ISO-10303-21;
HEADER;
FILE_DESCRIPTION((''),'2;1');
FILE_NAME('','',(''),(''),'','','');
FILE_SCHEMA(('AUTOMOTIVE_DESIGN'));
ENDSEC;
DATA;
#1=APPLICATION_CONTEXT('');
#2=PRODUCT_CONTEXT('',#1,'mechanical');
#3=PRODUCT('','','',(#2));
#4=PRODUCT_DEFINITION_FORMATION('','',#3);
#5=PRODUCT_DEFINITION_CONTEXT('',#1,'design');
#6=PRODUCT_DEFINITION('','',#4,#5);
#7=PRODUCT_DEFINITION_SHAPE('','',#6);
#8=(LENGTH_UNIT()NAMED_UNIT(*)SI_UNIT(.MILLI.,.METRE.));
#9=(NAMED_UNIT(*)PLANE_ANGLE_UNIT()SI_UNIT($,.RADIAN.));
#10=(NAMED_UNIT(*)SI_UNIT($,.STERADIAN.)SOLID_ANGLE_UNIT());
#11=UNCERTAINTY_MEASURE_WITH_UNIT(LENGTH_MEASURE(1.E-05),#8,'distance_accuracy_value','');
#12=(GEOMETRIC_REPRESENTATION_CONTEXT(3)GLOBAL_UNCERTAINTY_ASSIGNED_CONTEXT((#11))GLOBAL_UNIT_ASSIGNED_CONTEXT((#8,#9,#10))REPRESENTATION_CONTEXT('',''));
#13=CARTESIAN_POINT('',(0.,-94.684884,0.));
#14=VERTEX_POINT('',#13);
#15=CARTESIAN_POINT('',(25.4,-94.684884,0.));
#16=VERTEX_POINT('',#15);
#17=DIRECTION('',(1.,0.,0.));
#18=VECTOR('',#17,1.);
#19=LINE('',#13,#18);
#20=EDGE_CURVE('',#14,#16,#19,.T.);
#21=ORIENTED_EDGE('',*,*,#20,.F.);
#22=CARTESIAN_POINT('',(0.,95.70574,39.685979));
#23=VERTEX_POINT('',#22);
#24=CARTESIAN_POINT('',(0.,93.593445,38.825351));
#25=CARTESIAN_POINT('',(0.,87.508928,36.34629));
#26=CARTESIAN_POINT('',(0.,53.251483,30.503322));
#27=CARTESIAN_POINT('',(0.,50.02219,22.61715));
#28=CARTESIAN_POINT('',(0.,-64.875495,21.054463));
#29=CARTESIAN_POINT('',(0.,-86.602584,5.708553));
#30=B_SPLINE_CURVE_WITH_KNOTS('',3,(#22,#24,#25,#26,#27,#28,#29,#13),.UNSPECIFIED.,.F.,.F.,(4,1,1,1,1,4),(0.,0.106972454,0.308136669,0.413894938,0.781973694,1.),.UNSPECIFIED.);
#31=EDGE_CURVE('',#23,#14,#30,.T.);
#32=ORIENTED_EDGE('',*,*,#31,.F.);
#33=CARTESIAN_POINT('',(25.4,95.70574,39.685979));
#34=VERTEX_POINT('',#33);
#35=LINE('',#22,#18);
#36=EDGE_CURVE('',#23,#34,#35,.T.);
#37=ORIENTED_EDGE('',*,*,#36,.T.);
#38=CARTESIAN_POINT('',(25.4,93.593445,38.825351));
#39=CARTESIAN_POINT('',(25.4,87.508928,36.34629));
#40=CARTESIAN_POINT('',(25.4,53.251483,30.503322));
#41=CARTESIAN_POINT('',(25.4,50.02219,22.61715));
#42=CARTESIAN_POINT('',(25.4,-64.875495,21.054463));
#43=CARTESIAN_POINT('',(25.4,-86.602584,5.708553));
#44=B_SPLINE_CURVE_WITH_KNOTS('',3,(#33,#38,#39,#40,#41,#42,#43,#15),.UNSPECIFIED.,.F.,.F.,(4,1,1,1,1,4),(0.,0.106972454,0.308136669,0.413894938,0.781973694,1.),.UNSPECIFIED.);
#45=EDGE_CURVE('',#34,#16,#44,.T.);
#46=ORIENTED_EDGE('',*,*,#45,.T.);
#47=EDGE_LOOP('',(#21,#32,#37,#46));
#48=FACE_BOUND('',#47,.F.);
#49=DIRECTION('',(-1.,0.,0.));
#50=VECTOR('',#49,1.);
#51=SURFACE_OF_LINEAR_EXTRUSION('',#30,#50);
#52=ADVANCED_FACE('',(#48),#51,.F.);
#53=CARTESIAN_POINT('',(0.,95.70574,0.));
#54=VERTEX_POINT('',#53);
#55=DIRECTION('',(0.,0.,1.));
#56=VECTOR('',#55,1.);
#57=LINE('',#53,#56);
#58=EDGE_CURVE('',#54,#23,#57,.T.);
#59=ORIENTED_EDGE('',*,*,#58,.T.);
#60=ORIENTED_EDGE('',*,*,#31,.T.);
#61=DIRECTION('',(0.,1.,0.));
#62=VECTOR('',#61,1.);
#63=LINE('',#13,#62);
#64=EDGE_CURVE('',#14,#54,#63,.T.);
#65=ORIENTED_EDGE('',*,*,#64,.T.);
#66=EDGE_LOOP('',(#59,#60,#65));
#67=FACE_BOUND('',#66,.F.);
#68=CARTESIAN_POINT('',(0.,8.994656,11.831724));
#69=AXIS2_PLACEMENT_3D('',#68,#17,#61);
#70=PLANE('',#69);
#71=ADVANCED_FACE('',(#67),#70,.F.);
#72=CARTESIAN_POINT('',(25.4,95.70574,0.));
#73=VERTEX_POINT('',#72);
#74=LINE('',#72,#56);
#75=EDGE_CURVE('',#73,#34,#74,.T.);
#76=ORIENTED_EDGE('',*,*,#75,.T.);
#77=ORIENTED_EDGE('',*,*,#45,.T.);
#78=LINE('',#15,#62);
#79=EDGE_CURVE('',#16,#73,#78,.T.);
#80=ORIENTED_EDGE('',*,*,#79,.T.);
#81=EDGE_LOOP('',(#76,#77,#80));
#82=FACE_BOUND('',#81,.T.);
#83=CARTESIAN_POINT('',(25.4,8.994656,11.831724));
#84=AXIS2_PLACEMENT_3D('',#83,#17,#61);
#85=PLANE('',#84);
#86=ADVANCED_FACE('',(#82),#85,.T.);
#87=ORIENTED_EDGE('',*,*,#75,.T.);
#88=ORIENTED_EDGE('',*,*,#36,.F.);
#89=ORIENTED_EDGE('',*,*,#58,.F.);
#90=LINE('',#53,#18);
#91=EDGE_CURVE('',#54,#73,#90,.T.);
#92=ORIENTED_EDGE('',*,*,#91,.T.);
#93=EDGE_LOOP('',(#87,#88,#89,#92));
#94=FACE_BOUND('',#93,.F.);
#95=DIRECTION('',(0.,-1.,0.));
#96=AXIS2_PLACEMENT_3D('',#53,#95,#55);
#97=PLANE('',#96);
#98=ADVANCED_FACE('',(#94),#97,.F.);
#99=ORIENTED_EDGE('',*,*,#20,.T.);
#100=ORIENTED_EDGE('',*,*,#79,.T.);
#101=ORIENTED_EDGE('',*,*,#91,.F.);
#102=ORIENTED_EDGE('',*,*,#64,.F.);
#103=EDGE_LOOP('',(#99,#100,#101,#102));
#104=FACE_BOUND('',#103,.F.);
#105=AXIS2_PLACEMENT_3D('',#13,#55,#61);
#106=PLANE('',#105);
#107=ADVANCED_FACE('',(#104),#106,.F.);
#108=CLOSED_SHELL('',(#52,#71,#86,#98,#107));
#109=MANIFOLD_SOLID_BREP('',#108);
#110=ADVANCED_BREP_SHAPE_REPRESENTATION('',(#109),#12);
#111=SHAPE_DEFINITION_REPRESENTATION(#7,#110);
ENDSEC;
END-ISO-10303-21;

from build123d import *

# Parameters (mm, degrees)
F1_DEPTH = 25.4


with BuildPart() as f1:
    # F0 (on Right) → F1 (new body)
    with BuildSketch(Plane.YZ):
        with BuildLine():
            add(Edge.make_bspline(
                [(95.7057401538, 39.6859794855), (93.5934447921, 38.8253507761), (87.508928352, 36.346289549), (53.251482768, 30.5033222072), (50.0221898173, 22.6171497653), (-64.8754953781, 21.0544631222), (-86.6025840505, 5.7085533572), (-94.6848839521, 0)],
                knots=[0, 0, 0, 0, 0.1069724544, 0.3081366694, 0.4138949384, 0.7819736941, 1, 1, 1, 1], degree=3))
            Line((-94.6848839521, 0), (95.7057401538, 0))
            Line((95.7057401538, 0), (95.7057401538, 12.3779429123))
            Line((95.7057401538, 12.3779429123), (95.7057401538, 25.1387096941))
            Line((95.7057401538, 25.1387096941), (95.7057401538, 39.6859794855))
        make_face()
    extrude(amount=F1_DEPTH)


solid = f1.part
